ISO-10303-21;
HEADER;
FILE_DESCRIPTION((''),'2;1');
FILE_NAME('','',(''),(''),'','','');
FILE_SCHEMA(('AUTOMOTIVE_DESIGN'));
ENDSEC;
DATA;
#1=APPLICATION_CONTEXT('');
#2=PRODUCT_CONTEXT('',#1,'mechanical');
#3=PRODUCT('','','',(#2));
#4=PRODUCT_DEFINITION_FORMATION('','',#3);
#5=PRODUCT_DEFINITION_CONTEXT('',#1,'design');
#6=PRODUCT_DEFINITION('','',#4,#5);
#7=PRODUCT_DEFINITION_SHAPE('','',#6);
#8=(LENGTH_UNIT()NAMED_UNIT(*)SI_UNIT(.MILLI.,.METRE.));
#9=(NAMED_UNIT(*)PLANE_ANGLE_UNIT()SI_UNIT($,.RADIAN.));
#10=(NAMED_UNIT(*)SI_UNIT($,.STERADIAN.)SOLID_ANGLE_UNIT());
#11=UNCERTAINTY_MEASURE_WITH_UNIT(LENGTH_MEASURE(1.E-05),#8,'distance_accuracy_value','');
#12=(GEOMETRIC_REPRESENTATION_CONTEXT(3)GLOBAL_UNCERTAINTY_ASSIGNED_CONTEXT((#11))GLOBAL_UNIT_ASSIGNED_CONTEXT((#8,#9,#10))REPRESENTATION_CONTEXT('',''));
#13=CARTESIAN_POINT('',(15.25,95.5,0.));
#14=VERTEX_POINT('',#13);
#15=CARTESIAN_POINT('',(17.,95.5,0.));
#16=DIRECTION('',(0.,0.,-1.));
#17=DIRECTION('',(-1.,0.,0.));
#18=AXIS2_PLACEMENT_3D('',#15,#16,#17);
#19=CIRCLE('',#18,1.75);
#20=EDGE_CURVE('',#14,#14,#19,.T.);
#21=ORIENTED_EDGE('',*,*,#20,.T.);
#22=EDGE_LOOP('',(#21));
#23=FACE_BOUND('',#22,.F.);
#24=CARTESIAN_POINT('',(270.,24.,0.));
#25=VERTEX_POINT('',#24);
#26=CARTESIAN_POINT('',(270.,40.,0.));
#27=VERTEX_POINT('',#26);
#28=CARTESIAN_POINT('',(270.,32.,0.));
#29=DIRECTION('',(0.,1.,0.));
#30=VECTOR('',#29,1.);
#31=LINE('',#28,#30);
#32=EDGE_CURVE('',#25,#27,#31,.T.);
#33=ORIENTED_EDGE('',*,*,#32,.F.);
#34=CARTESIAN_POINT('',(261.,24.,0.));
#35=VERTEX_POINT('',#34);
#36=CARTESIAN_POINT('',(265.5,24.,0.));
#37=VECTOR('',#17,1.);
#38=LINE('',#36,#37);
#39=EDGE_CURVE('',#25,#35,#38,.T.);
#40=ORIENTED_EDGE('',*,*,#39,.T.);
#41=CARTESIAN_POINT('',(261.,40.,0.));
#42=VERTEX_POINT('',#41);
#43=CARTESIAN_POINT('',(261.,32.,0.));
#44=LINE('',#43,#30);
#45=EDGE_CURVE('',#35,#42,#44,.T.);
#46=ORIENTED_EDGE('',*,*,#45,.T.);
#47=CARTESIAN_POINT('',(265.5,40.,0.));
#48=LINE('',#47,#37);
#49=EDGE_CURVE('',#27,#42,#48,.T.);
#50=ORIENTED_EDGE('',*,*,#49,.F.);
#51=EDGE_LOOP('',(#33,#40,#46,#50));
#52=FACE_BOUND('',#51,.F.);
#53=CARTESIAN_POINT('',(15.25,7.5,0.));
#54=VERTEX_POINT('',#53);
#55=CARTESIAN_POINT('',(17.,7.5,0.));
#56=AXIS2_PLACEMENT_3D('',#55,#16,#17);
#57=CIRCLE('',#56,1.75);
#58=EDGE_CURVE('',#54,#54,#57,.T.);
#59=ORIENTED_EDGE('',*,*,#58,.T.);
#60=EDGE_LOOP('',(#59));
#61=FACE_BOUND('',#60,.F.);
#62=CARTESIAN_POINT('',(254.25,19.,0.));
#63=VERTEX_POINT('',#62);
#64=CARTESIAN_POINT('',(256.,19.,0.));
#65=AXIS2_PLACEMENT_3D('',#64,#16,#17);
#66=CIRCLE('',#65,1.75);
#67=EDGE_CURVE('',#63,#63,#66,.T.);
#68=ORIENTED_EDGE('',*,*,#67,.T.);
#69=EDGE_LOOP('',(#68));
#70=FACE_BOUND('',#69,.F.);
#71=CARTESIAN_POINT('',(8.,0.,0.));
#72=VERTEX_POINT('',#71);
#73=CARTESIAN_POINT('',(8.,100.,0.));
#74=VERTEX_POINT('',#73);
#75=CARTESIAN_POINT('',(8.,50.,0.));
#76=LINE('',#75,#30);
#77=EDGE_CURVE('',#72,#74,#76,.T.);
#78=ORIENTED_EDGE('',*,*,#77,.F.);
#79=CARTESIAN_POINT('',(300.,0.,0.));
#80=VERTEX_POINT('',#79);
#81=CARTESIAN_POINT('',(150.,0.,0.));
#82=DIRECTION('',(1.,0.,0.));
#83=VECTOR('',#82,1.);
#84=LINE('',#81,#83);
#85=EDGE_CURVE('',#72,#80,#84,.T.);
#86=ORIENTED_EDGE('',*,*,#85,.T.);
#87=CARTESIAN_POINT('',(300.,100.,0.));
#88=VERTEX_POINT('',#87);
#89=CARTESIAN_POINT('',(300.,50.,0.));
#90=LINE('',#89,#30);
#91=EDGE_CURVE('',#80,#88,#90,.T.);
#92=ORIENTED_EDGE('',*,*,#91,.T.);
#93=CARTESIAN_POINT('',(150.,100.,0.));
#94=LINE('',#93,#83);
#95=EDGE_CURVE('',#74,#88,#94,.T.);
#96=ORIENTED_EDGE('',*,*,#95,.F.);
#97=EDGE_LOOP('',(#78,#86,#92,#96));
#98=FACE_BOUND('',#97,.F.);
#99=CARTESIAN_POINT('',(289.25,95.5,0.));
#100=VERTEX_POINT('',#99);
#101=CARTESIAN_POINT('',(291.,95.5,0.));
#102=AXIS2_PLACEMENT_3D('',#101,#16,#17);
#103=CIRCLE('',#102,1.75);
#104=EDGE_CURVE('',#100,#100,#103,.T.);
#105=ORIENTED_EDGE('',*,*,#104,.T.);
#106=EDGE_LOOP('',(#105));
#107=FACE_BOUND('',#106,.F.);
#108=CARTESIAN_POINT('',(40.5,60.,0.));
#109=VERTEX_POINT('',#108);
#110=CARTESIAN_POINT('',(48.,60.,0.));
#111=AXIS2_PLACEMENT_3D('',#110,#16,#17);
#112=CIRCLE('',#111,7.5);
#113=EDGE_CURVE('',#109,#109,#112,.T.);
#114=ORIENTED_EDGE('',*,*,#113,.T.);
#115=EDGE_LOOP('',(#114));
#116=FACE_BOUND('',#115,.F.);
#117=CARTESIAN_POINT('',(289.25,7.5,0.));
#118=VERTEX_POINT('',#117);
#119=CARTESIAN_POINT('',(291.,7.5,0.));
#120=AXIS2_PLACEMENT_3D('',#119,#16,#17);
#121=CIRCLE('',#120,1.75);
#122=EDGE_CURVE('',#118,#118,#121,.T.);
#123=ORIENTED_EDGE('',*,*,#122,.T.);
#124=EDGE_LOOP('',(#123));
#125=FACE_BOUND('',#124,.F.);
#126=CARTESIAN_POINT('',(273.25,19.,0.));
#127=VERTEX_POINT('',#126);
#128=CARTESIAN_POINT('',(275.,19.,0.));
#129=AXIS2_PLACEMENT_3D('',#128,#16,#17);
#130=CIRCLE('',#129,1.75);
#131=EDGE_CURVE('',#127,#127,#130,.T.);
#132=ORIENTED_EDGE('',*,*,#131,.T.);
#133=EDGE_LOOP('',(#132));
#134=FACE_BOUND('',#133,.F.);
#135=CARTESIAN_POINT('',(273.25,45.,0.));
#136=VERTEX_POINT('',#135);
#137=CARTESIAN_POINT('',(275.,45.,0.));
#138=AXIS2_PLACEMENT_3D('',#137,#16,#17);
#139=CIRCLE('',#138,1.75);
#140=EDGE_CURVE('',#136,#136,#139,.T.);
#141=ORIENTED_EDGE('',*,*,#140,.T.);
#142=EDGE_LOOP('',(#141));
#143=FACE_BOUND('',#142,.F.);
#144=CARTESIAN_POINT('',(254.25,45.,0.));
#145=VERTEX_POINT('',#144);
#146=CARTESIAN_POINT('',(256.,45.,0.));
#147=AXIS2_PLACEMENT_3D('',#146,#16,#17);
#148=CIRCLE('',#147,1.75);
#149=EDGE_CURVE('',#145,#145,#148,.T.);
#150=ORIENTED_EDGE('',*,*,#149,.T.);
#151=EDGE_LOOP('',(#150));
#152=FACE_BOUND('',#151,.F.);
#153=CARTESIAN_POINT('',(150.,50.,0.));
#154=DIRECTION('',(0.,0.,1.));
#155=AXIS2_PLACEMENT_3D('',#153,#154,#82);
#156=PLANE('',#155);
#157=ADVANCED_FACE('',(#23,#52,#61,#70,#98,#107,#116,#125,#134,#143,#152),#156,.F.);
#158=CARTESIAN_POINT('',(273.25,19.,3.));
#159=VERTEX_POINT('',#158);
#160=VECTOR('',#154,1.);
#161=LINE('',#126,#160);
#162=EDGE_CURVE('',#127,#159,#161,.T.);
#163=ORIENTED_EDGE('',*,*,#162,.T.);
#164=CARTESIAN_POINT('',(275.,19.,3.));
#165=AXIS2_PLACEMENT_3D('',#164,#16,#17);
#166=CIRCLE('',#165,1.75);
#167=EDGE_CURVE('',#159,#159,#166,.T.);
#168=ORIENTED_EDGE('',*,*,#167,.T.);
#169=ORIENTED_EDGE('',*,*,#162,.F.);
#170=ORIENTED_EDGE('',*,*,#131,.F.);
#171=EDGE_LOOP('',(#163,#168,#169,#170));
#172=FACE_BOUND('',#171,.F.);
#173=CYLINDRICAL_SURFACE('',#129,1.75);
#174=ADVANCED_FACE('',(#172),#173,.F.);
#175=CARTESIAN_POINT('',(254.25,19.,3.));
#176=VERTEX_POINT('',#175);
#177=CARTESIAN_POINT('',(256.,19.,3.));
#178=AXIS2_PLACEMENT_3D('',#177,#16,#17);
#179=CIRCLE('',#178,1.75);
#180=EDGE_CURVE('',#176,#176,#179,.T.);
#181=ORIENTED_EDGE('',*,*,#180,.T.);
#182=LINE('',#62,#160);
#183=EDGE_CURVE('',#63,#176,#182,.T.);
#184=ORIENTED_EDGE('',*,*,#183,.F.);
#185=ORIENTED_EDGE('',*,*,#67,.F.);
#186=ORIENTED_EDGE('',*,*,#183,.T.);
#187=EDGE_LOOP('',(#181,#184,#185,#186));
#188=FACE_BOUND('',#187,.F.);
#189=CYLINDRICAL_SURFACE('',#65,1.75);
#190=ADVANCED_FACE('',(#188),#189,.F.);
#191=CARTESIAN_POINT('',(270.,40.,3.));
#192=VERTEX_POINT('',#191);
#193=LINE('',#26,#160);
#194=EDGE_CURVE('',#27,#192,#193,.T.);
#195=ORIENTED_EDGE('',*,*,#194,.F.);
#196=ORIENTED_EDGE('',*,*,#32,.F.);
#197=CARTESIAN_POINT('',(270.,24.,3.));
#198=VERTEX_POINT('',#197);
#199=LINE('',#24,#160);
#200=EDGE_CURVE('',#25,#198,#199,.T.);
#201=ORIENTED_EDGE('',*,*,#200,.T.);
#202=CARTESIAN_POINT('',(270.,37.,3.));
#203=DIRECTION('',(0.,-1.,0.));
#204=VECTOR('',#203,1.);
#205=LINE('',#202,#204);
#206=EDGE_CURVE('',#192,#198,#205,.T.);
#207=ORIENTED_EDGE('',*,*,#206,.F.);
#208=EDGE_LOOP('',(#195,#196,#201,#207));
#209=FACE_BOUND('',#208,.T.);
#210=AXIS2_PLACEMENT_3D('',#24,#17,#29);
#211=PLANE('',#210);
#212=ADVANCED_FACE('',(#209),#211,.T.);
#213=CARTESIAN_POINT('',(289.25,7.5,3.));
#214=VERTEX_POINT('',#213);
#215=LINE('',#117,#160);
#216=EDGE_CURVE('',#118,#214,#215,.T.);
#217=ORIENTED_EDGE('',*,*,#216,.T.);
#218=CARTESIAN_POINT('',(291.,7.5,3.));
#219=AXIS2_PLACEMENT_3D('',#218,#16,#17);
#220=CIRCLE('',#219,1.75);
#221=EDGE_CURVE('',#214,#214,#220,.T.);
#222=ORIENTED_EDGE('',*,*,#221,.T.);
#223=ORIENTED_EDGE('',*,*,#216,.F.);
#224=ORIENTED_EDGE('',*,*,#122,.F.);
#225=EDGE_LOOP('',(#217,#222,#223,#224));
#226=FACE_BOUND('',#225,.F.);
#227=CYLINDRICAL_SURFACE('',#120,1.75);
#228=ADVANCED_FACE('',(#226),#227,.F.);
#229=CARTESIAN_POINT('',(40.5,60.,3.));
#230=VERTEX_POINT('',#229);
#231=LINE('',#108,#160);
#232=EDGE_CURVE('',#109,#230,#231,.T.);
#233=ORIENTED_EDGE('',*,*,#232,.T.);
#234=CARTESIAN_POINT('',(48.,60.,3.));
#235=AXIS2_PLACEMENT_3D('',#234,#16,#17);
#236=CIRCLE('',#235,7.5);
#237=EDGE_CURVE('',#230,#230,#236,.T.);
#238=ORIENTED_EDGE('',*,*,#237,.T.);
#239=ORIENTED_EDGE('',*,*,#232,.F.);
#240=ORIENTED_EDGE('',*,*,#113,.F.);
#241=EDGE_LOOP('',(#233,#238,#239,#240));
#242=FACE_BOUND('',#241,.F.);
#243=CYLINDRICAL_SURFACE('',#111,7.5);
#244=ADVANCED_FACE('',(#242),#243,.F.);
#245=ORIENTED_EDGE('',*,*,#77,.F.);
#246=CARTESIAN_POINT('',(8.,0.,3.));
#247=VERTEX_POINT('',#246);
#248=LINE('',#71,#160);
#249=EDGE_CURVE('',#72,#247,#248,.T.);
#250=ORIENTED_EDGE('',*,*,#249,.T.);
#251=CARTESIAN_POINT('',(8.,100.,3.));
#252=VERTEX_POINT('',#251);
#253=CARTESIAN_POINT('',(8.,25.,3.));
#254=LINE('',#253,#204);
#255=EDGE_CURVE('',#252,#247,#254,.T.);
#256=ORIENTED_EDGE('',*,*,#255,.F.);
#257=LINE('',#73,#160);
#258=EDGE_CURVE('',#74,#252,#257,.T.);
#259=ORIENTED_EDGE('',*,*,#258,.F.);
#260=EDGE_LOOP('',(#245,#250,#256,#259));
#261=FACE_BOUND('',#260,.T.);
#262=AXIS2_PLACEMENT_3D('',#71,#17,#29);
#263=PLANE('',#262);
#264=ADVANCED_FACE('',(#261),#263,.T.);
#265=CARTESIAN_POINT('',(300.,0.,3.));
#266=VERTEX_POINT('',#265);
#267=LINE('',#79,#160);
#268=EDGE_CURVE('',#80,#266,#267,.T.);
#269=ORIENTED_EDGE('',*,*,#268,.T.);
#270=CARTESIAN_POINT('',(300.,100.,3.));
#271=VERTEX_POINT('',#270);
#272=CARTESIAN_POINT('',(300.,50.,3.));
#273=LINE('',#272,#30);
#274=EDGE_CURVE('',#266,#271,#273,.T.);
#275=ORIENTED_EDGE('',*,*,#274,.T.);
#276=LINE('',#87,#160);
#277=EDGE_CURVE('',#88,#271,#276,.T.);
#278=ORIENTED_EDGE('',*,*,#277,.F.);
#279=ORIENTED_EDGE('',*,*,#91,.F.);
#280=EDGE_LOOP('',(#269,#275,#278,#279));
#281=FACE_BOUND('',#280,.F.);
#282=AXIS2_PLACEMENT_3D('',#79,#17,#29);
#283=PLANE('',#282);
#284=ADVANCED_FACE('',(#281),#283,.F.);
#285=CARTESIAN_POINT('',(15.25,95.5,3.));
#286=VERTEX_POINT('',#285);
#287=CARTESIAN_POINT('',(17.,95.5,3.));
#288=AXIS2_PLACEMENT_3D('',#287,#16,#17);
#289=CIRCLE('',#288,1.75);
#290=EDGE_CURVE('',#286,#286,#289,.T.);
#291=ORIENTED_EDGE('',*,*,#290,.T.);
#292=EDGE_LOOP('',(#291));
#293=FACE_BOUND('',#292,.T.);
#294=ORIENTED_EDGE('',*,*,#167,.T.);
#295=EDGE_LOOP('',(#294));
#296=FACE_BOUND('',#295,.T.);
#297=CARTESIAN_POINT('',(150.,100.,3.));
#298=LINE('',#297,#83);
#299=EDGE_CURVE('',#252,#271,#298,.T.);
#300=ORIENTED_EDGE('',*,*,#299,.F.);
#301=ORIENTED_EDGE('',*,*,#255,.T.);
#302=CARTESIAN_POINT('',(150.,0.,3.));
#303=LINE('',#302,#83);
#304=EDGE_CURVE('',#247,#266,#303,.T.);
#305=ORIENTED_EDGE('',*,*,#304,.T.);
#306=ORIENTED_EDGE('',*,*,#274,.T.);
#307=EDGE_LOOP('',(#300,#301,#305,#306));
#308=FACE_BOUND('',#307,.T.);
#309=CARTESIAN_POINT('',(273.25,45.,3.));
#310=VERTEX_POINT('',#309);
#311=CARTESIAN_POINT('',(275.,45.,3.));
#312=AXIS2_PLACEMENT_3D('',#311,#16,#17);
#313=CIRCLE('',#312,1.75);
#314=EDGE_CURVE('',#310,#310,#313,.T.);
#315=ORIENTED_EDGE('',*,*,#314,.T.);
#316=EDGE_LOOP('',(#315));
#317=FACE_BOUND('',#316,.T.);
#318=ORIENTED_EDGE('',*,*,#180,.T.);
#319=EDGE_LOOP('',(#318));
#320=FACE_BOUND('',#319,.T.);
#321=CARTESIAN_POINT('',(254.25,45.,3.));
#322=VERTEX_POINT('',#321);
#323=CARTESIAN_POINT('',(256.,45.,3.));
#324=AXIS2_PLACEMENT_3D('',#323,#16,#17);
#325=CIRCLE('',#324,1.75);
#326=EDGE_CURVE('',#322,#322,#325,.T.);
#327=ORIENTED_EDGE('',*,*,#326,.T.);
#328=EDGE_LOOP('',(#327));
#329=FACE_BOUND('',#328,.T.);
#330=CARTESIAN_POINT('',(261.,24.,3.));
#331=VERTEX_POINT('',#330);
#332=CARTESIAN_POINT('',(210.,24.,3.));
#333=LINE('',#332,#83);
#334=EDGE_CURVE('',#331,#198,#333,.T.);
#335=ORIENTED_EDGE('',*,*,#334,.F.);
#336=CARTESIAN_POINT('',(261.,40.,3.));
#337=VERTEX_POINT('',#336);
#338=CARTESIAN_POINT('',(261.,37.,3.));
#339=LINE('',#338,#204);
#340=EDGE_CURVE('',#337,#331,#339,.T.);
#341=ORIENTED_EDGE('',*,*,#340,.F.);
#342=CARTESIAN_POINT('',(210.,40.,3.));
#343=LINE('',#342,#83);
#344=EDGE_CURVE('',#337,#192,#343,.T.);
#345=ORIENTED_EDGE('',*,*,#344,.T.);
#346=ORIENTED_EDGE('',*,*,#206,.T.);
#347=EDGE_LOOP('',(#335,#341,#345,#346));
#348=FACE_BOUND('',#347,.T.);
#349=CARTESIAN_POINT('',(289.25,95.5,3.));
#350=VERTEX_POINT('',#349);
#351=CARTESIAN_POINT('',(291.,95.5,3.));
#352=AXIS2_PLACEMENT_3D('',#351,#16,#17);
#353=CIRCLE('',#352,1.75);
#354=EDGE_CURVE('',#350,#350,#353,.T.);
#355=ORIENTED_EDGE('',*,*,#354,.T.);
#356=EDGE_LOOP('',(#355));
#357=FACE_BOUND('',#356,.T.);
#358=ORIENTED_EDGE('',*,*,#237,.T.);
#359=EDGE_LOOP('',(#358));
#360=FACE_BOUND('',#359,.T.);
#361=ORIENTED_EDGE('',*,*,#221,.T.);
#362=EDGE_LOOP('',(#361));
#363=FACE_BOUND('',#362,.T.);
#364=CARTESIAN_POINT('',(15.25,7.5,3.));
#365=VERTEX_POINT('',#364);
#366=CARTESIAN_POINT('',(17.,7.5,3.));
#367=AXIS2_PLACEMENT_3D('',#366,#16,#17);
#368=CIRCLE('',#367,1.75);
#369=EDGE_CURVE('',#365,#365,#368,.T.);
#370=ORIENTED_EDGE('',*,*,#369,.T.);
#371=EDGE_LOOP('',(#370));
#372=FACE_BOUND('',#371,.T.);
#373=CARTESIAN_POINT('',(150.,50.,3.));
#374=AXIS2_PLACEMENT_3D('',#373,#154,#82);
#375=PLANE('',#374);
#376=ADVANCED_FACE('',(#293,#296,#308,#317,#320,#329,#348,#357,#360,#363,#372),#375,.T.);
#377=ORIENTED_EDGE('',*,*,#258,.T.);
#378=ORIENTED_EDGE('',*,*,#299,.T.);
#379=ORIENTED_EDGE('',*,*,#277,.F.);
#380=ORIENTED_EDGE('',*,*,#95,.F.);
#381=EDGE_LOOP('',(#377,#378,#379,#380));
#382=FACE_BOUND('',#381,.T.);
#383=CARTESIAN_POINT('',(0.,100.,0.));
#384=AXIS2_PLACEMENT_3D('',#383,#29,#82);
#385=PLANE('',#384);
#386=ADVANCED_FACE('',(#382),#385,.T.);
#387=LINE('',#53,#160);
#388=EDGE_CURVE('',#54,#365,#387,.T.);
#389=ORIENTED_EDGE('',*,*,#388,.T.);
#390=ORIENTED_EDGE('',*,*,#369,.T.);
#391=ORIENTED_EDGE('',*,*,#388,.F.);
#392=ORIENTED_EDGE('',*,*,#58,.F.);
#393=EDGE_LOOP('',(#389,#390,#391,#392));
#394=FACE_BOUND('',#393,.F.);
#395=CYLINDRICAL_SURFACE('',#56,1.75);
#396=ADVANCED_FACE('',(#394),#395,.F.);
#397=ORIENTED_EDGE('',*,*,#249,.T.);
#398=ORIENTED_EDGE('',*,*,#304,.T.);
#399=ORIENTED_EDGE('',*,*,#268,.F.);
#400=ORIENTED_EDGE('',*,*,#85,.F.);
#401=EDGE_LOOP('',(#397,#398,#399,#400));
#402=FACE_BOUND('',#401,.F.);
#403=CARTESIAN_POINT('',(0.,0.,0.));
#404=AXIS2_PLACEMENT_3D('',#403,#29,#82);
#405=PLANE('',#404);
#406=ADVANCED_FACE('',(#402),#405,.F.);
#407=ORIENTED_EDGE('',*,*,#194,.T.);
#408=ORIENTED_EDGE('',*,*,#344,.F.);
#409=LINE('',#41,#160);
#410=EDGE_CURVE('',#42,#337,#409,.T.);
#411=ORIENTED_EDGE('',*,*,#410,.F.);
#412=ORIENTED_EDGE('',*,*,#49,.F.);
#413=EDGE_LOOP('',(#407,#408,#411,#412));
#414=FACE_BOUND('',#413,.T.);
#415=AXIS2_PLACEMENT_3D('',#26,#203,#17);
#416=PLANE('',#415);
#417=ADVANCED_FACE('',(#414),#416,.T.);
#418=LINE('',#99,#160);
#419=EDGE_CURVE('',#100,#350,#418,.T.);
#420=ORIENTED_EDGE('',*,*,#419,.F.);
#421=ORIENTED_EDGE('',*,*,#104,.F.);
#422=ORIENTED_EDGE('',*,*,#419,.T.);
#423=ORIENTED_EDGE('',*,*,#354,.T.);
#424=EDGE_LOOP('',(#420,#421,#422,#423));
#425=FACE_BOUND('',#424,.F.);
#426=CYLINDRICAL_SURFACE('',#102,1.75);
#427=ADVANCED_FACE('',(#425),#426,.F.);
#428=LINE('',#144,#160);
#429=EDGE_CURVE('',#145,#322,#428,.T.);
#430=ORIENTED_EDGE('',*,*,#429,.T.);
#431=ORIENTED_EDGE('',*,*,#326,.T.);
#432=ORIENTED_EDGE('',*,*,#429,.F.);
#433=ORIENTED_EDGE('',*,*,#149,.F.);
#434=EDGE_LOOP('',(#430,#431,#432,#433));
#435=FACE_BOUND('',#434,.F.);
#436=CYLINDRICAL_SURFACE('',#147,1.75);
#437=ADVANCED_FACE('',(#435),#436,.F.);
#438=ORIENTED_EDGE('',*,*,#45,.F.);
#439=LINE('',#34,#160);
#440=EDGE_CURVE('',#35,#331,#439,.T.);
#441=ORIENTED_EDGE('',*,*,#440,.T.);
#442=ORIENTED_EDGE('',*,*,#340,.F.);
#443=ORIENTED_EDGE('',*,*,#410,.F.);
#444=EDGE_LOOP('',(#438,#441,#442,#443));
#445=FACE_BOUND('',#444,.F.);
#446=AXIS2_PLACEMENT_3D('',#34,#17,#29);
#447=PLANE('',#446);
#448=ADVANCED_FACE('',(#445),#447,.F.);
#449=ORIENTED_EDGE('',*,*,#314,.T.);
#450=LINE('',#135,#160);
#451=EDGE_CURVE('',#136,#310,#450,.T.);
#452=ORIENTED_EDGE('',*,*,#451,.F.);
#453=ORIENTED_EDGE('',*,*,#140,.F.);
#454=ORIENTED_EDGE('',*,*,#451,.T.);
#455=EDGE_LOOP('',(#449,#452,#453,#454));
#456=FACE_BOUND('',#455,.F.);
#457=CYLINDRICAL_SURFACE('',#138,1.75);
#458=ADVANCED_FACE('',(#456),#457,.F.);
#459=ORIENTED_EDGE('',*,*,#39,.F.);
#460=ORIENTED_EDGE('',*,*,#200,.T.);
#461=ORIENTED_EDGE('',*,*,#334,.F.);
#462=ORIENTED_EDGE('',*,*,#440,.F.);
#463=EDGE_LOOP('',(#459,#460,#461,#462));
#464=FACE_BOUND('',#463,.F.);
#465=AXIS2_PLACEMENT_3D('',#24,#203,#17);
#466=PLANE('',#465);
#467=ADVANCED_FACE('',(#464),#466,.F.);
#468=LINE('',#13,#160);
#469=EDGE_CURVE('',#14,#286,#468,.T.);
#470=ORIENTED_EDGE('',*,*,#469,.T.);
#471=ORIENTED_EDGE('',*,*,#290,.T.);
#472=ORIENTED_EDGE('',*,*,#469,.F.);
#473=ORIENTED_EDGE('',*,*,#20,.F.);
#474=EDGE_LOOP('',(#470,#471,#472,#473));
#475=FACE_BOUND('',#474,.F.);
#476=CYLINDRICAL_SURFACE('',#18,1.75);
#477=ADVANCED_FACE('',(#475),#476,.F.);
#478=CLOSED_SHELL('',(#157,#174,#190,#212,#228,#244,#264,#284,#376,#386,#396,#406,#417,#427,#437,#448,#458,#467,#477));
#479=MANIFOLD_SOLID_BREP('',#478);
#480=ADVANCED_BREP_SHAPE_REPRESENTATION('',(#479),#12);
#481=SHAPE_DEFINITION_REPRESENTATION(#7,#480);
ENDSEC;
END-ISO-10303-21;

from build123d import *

# Parameters (mm, degrees)
SKETCH1_W           = 300
SKETCH1_H           = 100
BOSS_EXTRUDE1_DEPTH = 3
SKETCH3_W           = 8
SKETCH3_H           = 100
CUT_EXTRUDE2_DEPTH  = 10
SKETCH4_R           = 1.75
CUT_EXTRUDE3_DEPTH  = 4
SKETCH5_R           = 7.5
CUT_EXTRUDE4_DEPTH  = 10
SKETCH6_R           = 1.75
SKETCH6_W           = 9
SKETCH6_H           = 16
CUT_EXTRUDE5_DEPTH  = 10


with BuildPart() as part:
    # Sketch1 → Boss-Extrude1 (new body)
    with BuildSketch(Plane.XY):
        with Locations((150, 50)):
            Rectangle(SKETCH1_W, SKETCH1_H)
    extrude(amount=BOSS_EXTRUDE1_DEPTH)

    # Sketch3 → Cut-Extrude2 (cut)
    with BuildSketch(Plane(origin=(0, 0, 0), x_dir=(-1, 0, 0), z_dir=(0, 0, -1))):
        with Locations((-4, 50)):
            Rectangle(SKETCH3_W, SKETCH3_H)
    extrude(amount=-CUT_EXTRUDE2_DEPTH, mode=Mode.SUBTRACT)

    # Sketch4 → Cut-Extrude3 (cut, through all)
    with BuildSketch(Plane(origin=(0, 0, 0), x_dir=(-1, 0, 0), z_dir=(0, 0, -1))):
        with Locations((-291, 95.5)):
            Circle(SKETCH4_R)
        with Locations((-17, 95.5)):
            Circle(SKETCH4_R)
        with Locations((-17, 7.5)):
            Circle(SKETCH4_R)
        with Locations((-291, 7.5)):
            Circle(SKETCH4_R)
    extrude(amount=-CUT_EXTRUDE3_DEPTH, mode=Mode.SUBTRACT)

    # Sketch5 → Cut-Extrude4 (cut)
    with BuildSketch(Plane(origin=(0, 0, 0), x_dir=(-1, 0, 0), z_dir=(0, 0, -1))):
        with Locations((-48, 60)):
            Circle(SKETCH5_R)
    extrude(amount=-CUT_EXTRUDE4_DEPTH, mode=Mode.SUBTRACT)

    # Sketch6 → Cut-Extrude5 (cut)
    with BuildSketch(Plane(origin=(0, 0, 0), x_dir=(-1, 0, 0), z_dir=(0, 0, -1))):
        with Locations((-275, 45)):
            Circle(SKETCH6_R)
        with Locations((-275, 19)):
            Circle(SKETCH6_R)
        with Locations((-256, 19)):
            Circle(SKETCH6_R)
        with Locations((-256, 45)):
            Circle(SKETCH6_R)
        with Locations((-265.5, 32)):
            Rectangle(SKETCH6_W, SKETCH6_H)
    extrude(amount=-CUT_EXTRUDE5_DEPTH, mode=Mode.SUBTRACT)


solid = part.part
